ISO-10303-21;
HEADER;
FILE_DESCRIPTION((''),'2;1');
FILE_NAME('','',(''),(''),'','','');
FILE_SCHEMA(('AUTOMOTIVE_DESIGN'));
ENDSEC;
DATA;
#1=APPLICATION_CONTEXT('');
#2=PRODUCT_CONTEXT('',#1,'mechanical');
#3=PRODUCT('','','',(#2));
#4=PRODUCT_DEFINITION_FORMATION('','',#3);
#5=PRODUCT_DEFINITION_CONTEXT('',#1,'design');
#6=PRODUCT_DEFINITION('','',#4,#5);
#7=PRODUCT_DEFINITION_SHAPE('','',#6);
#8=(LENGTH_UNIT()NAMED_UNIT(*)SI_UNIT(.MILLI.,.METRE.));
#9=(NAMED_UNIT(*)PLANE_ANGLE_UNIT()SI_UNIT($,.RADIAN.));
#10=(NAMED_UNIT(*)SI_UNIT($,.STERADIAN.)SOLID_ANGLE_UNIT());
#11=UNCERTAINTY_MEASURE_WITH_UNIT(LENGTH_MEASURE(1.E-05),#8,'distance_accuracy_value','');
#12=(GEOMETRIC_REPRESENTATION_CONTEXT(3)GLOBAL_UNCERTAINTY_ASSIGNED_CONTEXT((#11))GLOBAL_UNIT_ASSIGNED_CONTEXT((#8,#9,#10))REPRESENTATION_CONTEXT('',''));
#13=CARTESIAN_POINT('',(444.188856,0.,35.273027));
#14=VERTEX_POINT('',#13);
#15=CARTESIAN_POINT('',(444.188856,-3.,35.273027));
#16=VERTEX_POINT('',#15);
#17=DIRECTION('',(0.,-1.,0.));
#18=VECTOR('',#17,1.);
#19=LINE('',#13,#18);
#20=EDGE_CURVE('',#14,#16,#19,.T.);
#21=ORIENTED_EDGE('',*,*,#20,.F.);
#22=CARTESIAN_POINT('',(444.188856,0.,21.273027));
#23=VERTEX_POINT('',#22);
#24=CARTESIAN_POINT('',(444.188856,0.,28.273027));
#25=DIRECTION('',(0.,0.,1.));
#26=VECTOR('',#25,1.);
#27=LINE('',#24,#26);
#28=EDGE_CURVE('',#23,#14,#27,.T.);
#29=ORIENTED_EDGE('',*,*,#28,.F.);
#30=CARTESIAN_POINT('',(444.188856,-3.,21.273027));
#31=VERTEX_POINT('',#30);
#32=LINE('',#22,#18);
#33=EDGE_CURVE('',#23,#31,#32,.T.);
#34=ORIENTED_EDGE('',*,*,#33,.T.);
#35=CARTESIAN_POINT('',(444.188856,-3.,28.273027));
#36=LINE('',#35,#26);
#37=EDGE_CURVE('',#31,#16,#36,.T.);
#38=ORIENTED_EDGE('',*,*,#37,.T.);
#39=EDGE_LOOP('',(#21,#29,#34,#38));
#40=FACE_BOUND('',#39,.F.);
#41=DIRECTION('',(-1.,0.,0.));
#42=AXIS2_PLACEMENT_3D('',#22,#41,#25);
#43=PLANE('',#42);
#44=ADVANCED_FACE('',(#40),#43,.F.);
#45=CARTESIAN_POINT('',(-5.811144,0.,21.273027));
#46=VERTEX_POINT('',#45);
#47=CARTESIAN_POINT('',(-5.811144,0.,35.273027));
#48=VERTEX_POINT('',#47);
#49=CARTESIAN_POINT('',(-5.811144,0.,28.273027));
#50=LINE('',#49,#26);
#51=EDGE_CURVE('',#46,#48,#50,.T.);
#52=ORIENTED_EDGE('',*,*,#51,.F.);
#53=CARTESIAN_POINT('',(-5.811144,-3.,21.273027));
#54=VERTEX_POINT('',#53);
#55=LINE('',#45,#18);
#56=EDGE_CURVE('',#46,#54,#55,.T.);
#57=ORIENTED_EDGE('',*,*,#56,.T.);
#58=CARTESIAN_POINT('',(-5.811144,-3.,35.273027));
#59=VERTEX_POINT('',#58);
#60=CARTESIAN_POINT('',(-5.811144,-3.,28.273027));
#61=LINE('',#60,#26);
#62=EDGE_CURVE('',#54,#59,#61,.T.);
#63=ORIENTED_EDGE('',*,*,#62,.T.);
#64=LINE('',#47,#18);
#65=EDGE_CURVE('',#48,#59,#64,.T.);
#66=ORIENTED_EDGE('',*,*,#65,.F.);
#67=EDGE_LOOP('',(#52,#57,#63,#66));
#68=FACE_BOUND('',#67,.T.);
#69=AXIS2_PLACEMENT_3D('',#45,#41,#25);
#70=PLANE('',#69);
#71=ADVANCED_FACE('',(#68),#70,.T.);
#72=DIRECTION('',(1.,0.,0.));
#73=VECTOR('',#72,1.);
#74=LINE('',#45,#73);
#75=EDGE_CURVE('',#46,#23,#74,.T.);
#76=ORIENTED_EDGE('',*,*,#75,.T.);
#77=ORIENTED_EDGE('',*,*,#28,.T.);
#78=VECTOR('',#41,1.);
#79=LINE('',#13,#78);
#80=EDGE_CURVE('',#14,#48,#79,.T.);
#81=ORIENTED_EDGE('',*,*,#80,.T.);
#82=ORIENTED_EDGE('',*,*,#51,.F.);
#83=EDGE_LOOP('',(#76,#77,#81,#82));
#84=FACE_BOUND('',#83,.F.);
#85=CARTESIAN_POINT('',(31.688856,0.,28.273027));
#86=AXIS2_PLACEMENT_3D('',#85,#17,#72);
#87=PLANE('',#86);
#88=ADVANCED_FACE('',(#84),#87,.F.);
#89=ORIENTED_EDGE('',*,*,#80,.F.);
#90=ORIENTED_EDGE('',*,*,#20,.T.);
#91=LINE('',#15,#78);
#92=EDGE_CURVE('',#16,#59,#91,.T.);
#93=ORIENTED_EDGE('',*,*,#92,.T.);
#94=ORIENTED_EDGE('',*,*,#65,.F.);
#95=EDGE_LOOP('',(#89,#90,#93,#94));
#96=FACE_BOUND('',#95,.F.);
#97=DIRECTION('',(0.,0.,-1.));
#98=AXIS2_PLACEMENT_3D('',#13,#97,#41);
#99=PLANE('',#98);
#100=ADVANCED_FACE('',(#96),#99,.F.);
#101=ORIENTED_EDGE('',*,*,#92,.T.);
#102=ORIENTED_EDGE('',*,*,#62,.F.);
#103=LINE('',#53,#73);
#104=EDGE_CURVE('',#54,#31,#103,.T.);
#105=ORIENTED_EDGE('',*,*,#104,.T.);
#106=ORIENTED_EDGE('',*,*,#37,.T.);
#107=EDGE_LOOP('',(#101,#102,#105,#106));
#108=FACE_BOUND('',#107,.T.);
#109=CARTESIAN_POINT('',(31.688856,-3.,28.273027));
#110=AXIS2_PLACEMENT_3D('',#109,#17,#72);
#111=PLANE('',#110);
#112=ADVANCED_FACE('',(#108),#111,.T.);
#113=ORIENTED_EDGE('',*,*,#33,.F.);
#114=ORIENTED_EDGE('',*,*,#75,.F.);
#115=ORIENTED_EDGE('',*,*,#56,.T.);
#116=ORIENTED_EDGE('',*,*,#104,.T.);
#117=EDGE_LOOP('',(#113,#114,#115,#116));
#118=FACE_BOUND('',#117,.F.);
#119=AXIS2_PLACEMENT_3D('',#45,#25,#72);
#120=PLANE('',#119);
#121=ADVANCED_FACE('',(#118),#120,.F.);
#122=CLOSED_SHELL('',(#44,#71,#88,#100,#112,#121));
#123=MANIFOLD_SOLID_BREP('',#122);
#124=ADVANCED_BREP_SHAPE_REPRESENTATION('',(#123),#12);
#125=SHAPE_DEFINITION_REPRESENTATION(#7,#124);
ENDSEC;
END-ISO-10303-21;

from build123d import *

# Parameters (mm, degrees)
F0_W     = 75
F0_H     = 14
F0_W_2   = 150
F1_DEPTH = 3


with BuildPart() as f1:
    # F0 (on Front) → F1 (new body)
    with BuildSketch(Plane.XZ):
        with Locations((31.688856, 28.273027)):
            Rectangle(F0_W, F0_H)
        with Locations((106.688856, 28.273027)):
            Rectangle(F0_W, F0_H)
        with Locations((219.188856, 28.273027)):
            Rectangle(F0_W_2, F0_H)
        with Locations((331.688856, 28.273027)):
            Rectangle(F0_W, F0_H)
        with Locations((406.688856, 28.273027)):
            Rectangle(F0_W, F0_H)
    extrude(amount=F1_DEPTH)


solid = f1.part
